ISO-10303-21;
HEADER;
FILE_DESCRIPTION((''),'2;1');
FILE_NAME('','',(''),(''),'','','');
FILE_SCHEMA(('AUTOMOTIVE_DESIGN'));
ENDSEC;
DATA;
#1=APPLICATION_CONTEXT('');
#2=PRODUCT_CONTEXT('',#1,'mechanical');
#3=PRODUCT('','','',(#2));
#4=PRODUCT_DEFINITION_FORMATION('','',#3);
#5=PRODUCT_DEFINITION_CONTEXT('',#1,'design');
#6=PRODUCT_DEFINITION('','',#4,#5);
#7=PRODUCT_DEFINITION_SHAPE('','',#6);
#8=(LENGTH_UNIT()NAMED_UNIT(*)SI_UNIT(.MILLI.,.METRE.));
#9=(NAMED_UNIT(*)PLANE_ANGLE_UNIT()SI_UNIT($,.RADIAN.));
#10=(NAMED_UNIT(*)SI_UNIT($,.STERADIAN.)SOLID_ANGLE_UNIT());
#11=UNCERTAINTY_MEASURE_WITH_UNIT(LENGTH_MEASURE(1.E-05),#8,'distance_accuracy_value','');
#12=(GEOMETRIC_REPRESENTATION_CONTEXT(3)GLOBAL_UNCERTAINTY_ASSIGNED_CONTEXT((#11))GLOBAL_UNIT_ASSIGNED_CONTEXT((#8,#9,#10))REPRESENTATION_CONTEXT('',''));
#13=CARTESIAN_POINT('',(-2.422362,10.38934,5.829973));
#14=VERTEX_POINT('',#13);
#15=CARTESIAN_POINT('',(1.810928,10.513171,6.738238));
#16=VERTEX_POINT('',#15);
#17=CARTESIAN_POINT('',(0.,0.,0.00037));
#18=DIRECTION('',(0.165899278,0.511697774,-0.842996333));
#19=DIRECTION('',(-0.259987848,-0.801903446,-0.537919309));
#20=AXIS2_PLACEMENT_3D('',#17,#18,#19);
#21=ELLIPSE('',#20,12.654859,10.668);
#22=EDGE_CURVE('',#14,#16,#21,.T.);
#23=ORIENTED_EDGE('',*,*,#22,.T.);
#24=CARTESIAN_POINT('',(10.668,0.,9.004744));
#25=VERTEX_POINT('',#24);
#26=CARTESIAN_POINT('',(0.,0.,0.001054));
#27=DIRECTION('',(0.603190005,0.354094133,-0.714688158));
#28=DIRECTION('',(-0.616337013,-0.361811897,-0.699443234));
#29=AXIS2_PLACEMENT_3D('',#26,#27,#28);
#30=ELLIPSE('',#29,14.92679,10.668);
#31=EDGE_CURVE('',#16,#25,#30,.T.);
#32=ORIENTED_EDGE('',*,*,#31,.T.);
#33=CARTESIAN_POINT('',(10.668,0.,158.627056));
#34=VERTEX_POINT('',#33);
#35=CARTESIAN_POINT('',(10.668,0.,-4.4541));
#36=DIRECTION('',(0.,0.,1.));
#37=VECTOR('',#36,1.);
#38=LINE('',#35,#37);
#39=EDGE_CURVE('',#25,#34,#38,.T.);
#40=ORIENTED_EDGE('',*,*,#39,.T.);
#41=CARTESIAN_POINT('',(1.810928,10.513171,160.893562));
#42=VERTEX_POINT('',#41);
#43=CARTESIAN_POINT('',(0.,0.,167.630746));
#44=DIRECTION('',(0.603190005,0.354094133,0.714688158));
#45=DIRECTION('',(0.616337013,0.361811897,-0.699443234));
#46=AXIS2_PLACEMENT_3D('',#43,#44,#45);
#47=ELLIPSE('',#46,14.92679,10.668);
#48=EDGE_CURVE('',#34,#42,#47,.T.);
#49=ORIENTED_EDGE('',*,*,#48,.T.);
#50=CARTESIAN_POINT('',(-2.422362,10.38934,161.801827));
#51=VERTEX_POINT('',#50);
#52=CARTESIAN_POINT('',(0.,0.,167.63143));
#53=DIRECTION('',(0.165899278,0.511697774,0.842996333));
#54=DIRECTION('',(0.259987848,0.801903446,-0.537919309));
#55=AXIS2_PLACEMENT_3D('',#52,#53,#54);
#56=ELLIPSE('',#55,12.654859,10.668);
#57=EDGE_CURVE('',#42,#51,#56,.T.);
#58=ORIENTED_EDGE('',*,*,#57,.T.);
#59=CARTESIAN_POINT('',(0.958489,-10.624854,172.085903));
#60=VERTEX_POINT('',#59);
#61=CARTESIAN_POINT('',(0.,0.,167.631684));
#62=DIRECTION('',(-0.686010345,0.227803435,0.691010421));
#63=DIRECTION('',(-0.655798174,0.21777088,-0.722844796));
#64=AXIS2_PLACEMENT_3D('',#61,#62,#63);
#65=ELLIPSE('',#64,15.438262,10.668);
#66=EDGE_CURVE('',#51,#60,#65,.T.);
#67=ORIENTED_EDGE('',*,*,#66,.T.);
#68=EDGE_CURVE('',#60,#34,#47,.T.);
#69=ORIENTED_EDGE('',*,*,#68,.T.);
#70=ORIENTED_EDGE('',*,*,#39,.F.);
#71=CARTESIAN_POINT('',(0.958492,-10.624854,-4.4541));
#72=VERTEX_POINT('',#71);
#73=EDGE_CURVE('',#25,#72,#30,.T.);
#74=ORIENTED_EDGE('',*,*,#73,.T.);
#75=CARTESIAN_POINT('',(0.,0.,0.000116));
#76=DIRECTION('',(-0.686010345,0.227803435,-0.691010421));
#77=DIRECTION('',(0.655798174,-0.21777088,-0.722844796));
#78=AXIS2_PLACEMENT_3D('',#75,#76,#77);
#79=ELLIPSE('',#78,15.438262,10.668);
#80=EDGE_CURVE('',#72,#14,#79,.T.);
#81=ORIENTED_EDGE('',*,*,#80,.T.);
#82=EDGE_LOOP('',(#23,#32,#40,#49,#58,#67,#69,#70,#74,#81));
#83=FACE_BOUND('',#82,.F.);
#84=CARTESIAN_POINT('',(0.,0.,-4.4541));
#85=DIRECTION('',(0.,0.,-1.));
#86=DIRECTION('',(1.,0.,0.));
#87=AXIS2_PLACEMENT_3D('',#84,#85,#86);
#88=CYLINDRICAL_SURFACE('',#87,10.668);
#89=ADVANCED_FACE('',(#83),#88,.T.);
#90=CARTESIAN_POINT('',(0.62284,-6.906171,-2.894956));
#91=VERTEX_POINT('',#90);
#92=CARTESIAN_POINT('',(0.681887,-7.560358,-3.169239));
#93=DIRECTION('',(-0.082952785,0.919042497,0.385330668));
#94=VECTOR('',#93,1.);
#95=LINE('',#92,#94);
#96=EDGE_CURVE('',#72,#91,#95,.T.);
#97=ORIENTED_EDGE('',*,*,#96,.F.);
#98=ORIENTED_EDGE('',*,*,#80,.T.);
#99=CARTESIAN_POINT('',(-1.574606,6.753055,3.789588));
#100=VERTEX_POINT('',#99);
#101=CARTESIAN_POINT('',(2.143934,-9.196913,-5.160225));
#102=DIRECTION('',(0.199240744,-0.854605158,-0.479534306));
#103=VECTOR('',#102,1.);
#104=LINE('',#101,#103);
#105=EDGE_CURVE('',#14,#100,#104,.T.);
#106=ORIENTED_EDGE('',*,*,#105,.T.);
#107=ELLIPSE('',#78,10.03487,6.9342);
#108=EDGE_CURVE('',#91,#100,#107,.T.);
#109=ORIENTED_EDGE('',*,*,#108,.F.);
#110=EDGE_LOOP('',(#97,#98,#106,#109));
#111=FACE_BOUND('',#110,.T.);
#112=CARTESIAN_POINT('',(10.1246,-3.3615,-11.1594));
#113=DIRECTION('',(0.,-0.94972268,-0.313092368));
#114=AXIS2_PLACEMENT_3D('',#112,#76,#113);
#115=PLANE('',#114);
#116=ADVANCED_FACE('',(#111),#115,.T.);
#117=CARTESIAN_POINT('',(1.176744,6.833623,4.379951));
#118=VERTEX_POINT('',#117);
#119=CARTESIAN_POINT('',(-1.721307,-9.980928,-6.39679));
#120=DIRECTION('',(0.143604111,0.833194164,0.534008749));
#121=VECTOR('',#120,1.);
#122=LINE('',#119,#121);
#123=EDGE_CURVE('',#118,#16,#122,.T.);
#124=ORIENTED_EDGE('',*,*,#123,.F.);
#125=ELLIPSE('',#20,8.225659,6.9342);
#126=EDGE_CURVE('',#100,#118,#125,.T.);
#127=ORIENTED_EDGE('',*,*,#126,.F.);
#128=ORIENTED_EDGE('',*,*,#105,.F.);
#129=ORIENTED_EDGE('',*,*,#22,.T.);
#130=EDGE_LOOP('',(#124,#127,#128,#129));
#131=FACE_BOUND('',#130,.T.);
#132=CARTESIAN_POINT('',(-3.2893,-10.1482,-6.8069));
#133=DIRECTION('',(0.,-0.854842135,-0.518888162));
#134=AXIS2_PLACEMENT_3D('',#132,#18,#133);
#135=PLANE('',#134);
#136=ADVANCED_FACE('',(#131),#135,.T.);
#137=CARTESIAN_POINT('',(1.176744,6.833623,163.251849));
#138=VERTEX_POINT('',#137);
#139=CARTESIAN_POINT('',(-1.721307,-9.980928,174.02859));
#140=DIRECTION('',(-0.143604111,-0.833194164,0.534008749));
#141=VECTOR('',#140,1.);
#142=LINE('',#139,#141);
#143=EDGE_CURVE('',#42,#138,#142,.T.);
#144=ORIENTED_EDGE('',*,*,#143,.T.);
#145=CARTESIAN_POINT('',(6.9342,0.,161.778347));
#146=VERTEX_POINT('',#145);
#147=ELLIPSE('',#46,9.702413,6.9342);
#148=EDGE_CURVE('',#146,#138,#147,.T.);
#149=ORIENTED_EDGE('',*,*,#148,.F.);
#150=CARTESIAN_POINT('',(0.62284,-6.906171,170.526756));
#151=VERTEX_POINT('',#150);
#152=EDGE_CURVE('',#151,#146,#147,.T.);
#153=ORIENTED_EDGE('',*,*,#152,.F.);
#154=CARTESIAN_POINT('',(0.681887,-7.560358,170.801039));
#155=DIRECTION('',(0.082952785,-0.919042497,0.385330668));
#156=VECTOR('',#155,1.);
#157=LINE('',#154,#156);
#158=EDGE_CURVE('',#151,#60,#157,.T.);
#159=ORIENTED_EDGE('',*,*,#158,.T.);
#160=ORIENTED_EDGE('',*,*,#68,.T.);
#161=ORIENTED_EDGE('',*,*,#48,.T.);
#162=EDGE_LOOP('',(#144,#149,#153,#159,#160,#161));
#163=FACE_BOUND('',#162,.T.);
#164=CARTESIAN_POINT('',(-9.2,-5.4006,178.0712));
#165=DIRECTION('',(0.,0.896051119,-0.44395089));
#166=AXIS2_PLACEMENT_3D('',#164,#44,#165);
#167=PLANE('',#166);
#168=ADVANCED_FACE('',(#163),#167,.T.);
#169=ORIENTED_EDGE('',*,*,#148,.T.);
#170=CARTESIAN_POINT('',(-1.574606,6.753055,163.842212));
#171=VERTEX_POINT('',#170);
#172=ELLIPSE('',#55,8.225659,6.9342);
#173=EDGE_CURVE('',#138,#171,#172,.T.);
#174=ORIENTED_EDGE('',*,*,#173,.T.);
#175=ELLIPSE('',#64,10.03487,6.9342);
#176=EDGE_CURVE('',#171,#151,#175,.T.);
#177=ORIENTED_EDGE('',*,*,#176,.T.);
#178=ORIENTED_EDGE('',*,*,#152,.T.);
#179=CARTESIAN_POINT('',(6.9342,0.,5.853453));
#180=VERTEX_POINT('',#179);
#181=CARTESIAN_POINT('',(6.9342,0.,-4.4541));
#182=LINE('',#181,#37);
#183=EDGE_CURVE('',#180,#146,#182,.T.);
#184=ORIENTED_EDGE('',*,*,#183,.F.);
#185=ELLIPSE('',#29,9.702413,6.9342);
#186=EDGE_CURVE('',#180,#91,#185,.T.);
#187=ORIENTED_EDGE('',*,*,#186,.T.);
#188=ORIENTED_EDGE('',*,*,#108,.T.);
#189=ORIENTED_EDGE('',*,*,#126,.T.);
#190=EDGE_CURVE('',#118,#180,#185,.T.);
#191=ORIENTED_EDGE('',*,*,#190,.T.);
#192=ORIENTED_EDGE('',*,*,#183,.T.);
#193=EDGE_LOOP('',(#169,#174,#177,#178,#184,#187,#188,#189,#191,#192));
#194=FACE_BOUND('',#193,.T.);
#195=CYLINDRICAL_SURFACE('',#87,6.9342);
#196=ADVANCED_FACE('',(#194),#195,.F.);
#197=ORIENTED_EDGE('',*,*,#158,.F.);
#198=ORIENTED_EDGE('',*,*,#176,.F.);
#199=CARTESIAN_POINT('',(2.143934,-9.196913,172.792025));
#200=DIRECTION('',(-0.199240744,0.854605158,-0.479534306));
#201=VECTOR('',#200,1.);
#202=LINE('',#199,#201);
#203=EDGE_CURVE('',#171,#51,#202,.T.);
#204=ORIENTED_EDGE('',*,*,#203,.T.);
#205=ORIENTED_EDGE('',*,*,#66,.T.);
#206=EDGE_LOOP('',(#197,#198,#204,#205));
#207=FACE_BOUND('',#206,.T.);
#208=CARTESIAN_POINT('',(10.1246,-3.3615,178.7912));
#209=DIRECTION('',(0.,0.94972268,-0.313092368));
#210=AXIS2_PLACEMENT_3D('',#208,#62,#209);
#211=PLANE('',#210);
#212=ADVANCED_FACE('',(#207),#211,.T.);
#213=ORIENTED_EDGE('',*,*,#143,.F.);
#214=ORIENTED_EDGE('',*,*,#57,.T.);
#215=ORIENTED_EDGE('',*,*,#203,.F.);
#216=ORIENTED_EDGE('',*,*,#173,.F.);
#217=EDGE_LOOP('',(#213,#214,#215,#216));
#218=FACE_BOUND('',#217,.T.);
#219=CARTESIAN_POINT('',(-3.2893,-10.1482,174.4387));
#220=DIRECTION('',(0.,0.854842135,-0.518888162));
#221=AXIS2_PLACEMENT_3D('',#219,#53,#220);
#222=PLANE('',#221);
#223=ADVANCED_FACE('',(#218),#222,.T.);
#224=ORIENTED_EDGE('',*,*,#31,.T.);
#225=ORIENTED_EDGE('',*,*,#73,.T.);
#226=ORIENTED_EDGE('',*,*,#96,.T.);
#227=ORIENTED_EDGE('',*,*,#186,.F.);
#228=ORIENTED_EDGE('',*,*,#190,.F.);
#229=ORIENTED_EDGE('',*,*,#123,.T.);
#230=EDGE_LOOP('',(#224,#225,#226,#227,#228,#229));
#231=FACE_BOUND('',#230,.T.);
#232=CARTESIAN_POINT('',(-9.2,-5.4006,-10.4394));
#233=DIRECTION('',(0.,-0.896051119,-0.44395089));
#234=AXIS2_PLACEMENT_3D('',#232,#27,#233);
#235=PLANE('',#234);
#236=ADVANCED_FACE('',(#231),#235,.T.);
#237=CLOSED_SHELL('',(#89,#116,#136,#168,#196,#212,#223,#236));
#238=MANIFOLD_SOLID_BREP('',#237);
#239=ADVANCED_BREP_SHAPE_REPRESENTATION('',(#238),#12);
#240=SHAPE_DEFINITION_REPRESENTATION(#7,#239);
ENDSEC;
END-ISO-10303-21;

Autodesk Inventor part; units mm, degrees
ref_plane "Start Plane" through (0, 0, -4.4541) normal (0, 0, 1) x (1, 0, 0)
ref_plane "End Plane" through (0, 0, 172.086) normal (0, 0, 1) x (1, 0, 0)
sketch "Sketch" plane through (0, 0, 0) normal (0, 0, 1) x (1, 0, 0)
  circle A0 centre (0, 0) radius 6.9342
  circle A1 centre (0, 0) radius 10.668
  dimension "d0" = 21.336
  dimension "d1" = 3.7338
extrude "Body" add sketch "Sketch" along normal up to surface (176.5401 mm away) from surface at -4.4541
sketch "Sketch3" plane through (0, 0, 0) normal (0, 0, 1) x (1, 0, 0)
  line L0 (0, 0) -> (10, 0)
ref_plane "Work Plane3" through (0, 0, 0) normal (0, -1, 0) x (1, 0, 0)
sketch "Sketch4" plane through (0, 0, 0) normal (0, -1, 0) x (1, 0, 0)
  line L0 (-2, -4.4541) -> (12, -4.4541)
  line L1 (-2, 172.086) -> (12, 172.086)
  dimension "d7" = 176.5401
ref_plane "Work Plane4" through (-9.2, -5.4006, 178.0712) normal (0.6032, 0.3541, 0.7147) x (0.7878, -0.1245, -0.6032)
split "Split1" plane through (-9.2, -5.4006, 178.0712) removes the side toward (0.6032, 0.3541, 0.7147)
ref_plane "Work Plane5" through (10.1246, -3.3615, 178.7912) normal (-0.686, 0.2278, 0.691) x (0.7217, 0.0924, 0.686)
split "Split2" plane through (10.1246, -3.3615, 178.7912) removes the side toward (-0.686, 0.2278, 0.691)
ref_plane "Work Plane6" through (-3.2893, -10.1482, 174.4387) normal (0.1659, 0.5117, 0.843) x (0.9851, -0.046, -0.1659)
split "Split3" plane through (-3.2893, -10.1482, 174.4387) removes the side toward (0.1659, 0.5117, 0.843)
ref_plane "Work Plane7" through (-9.2, -5.4006, -10.4394) normal (0.6032, 0.3541, -0.7147) x (-0.2753, -0.7486, -0.6032)
split "Split4" plane through (-9.2, -5.4006, -10.4394) removes the side toward (0.6032, 0.3541, -0.7147)
ref_plane "Work Plane8" through (10.1246, -3.3615, -11.1594) normal (-0.686, 0.2278, -0.691) x (-0.5231, 0.5057, 0.686)
split "Split5" plane through (10.1246, -3.3615, -11.1594) removes the side toward (-0.686, 0.2278, -0.691)
ref_plane "Work Plane9" through (-3.2893, -10.1482, -6.8069) normal (0.1659, 0.5117, -0.843) x (0.8248, -0.5406, -0.1659)
split "Split6" plane through (-3.2893, -10.1482, -6.8069) removes the side toward (0.1659, 0.5117, -0.843)
equation "\"d0\" = G_H"
equation "\"d1\" = G_T"
equation "\"d2\" = G_L"
equation "\"G_H\" = 21.336"
equation "\"G_T\" = 3.7338"
equation "\"G_L\" = 176.5401"
equation "\"G_OFFSET_START\" = 4.45413"
equation "\"G_OFFSET_END\" = 4.45413"
equation "\"d4\" = -G_OFFSET_START"
equation "\"d5\" = G_OFFSET_END + B_L"
equation "\"B_L\" = 167.63184"
properties part number "ANSI - 1/2 x 0.147 - 6.95" material "Steel, Mild"
